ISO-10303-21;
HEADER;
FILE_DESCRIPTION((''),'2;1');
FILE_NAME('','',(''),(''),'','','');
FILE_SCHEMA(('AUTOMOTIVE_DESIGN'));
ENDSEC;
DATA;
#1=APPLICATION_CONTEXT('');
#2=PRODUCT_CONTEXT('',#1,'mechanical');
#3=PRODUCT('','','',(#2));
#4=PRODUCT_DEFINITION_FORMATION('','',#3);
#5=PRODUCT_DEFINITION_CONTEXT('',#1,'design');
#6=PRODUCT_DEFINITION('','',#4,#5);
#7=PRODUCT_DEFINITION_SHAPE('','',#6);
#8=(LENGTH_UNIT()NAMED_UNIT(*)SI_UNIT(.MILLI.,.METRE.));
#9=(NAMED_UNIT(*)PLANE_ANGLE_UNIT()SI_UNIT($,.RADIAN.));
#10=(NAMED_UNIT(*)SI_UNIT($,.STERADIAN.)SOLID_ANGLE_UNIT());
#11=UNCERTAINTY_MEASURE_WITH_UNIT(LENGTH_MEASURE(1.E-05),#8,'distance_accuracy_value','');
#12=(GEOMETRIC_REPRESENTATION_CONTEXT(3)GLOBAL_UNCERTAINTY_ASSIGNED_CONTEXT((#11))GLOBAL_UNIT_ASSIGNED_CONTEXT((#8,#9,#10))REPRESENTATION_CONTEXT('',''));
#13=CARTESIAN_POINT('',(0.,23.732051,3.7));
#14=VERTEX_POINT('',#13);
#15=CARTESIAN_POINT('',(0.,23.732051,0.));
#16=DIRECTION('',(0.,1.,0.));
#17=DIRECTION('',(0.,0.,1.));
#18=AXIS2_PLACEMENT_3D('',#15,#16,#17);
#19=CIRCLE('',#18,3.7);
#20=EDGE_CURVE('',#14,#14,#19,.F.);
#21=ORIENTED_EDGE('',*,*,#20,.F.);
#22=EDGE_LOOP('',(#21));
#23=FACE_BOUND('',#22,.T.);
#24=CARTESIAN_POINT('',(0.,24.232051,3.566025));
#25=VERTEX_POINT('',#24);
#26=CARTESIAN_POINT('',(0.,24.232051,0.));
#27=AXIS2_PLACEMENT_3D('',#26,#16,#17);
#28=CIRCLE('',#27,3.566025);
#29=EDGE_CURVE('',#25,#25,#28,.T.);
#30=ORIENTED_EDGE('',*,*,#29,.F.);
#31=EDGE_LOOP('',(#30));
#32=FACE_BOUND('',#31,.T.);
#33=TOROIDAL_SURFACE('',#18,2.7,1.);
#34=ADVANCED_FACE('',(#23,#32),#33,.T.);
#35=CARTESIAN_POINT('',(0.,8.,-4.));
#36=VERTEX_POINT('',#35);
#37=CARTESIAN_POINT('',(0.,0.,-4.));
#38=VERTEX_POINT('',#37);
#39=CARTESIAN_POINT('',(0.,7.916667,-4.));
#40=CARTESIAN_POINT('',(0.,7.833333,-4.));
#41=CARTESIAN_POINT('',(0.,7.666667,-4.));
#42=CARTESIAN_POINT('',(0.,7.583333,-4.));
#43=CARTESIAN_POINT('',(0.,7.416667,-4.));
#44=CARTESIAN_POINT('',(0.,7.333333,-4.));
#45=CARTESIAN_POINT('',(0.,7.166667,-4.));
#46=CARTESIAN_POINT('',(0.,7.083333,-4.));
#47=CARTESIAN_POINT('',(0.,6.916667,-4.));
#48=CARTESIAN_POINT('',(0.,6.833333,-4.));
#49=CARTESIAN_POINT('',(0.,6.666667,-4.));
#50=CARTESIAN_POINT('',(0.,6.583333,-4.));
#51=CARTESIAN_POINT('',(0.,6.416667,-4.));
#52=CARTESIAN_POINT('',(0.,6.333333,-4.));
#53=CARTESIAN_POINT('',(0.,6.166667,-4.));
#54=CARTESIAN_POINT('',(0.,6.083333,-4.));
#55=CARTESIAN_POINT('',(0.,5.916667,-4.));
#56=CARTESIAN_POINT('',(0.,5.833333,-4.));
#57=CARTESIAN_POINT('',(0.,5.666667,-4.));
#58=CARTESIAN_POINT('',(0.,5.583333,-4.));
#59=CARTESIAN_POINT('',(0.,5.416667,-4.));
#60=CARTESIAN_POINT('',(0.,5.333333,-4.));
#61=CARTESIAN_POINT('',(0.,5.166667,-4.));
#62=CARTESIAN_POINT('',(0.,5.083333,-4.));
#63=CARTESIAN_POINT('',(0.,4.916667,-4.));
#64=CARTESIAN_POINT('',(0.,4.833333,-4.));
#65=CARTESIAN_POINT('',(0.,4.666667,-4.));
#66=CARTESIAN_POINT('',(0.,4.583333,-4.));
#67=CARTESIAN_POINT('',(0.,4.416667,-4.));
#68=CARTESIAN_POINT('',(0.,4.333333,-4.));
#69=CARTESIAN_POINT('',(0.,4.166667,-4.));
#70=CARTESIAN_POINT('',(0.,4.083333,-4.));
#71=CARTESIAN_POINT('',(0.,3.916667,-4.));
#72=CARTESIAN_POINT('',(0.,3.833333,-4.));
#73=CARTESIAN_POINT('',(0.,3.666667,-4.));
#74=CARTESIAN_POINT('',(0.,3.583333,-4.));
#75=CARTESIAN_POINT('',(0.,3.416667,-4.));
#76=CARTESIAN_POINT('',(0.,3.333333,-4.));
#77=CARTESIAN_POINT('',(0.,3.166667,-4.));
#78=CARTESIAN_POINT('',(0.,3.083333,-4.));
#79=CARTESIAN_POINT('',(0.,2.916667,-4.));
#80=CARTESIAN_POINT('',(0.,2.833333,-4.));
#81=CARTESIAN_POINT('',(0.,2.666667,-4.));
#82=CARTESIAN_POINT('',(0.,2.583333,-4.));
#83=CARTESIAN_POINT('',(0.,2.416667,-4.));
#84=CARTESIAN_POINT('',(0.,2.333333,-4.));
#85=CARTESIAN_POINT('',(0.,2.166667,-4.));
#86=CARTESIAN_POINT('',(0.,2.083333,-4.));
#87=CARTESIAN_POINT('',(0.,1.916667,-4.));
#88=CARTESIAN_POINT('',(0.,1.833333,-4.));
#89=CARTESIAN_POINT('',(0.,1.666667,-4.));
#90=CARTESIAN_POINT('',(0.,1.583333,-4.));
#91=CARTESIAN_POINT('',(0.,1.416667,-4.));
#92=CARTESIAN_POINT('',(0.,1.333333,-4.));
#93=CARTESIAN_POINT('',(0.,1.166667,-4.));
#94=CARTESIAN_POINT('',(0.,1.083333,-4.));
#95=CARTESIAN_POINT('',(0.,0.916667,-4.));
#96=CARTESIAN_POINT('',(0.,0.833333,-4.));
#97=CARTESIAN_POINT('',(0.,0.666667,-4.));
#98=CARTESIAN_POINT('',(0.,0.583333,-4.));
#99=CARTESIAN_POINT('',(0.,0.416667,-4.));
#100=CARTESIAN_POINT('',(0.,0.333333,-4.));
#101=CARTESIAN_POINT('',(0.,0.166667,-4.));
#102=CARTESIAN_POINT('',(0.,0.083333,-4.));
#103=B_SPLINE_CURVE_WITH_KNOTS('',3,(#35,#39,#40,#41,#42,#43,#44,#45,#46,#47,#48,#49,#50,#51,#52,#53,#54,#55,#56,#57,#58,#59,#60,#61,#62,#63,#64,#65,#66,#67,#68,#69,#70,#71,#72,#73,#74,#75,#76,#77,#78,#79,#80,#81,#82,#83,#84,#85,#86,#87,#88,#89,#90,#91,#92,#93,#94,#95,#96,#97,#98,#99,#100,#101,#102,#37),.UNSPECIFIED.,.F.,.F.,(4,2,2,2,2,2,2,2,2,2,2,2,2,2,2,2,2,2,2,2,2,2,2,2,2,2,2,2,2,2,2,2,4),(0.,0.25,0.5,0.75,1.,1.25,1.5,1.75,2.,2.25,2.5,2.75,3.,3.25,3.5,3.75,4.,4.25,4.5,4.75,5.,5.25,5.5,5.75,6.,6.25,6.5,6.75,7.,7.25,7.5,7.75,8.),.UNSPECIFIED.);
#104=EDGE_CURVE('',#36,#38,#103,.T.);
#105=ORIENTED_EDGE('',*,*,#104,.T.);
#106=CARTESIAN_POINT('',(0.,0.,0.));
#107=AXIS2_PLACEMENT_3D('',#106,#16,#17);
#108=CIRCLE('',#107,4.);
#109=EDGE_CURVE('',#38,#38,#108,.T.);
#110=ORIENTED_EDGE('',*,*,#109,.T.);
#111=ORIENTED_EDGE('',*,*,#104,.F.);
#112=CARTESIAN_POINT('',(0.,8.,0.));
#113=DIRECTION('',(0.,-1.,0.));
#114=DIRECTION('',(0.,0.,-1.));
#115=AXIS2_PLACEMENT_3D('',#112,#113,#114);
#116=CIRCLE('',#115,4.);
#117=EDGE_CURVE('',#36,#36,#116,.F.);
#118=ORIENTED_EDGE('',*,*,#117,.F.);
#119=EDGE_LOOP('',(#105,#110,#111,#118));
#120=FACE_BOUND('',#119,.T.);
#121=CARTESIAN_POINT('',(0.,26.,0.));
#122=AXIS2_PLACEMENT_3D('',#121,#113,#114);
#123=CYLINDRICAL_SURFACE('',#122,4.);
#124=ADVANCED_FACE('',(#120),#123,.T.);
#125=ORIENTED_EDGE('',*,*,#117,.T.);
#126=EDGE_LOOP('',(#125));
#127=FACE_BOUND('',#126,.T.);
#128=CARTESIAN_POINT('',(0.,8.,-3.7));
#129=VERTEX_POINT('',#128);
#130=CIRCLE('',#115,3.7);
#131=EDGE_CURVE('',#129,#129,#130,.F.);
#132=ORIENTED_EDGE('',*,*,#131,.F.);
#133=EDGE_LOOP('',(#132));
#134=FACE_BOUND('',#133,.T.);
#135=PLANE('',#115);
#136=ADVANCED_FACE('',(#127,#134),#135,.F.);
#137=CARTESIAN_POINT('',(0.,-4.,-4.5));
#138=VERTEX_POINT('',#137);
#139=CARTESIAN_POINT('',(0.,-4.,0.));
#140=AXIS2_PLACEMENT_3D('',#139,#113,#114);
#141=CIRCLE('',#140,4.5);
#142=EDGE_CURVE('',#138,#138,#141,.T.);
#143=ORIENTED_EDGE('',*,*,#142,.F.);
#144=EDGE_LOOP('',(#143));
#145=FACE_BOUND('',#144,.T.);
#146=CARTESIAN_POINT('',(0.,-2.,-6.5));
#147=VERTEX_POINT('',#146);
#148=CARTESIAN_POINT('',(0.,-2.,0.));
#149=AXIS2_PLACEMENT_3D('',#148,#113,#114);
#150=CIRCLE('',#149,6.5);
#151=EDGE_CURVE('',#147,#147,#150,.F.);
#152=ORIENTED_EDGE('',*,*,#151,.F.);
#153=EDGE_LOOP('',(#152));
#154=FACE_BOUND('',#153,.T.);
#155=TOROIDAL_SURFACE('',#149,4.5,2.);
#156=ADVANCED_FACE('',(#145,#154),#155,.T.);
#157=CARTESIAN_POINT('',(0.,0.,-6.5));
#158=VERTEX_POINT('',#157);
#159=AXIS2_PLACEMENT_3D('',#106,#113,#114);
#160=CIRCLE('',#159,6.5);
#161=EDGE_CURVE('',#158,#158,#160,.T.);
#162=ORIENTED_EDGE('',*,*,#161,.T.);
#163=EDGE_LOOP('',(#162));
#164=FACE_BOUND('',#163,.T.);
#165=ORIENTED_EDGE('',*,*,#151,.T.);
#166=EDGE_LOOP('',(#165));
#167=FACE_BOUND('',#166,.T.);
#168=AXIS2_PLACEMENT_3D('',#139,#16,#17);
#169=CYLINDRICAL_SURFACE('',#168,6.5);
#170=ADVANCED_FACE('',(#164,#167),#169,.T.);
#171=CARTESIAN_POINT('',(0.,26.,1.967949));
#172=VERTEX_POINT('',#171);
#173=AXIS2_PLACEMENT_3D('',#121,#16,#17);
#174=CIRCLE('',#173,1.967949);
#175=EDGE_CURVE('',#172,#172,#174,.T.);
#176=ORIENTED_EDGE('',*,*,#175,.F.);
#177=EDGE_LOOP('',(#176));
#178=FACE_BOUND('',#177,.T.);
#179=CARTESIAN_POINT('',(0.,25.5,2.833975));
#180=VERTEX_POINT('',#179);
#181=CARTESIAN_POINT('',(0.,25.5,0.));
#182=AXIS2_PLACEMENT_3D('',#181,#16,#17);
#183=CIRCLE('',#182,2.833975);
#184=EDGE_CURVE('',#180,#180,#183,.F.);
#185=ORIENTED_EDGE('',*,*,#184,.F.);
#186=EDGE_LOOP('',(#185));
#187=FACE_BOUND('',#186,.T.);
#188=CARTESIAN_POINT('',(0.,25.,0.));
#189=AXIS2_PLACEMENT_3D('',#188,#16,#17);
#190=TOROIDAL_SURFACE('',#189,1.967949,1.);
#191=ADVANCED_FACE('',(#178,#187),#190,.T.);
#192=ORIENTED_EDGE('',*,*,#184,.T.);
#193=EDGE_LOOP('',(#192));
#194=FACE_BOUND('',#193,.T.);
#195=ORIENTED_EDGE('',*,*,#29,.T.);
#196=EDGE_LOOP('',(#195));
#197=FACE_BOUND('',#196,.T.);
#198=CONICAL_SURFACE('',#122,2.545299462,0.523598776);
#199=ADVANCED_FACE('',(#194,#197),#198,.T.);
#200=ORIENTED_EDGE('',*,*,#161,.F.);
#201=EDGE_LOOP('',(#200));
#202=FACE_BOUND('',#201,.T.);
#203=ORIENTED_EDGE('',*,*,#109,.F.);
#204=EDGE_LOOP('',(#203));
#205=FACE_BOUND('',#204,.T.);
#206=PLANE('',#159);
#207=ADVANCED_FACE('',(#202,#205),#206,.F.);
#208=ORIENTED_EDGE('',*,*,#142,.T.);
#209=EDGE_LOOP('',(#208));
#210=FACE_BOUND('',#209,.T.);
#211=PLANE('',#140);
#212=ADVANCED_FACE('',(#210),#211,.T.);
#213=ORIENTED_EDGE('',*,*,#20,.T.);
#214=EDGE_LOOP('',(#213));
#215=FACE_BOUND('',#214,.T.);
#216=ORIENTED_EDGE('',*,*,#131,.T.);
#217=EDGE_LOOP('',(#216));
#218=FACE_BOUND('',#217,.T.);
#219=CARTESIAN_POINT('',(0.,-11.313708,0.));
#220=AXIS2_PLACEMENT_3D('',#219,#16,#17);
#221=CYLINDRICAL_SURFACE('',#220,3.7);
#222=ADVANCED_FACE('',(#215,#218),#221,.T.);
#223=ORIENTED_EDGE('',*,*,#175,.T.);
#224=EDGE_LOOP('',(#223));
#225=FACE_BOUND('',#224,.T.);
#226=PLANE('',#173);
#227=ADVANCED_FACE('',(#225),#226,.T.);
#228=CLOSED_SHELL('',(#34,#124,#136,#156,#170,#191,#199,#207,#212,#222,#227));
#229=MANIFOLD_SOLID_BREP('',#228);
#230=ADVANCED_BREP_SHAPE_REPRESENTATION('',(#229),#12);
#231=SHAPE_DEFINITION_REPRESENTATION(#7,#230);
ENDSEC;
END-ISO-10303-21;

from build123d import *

# Parameters (mm, degrees)
SKETCH1_R           = 4
BOSS_EXTRUDE1_DEPTH = 26
SKETCH2_R           = 6.5
BOSS_EXTRUDE2_DEPTH = 4
CUT_EXTRUDE1_START  = -18
SKETCH3_R           = 4
SKETCH3_R_2         = 3.7
CUT_EXTRUDE1_DEPTH  = 18
FILLET2_R           = 2
CHAMFER1_SIZE       = 2
CHAMFER1_SIZE2      = 1.154700538
FILLET3_R           = 1


with BuildPart() as part:
    # Sketch1 → Boss-Extrude1 (new body)
    with BuildSketch(Plane(origin=(0, 0, 0), x_dir=(1, 0, 0), z_dir=(0, 1, 0))):
        with Locations(Location((0, 0, 0), (0, 0, 90))):
            Circle(SKETCH1_R)
    extrude(amount=BOSS_EXTRUDE1_DEPTH)

    # Sketch2 → Boss-Extrude2 (add)
    with BuildSketch(Plane.XZ):
        with Locations(Location((0, 0, 0), (0, 0, 270))):
            Circle(SKETCH2_R)
    extrude(amount=BOSS_EXTRUDE2_DEPTH)

    # Sketch3 → Cut-Extrude1 (cut)
    with BuildSketch(Plane(origin=(0, 26, 0), x_dir=(1, 0, 0), z_dir=(0, 1, 0)).offset(CUT_EXTRUDE1_START)):
        with Locations(Location((0, 0, 0), (0, 0, 90))):
            Circle(SKETCH3_R)
        with Locations(Location((0, 0, 0), (0, 0, 270))):
            Circle(SKETCH3_R_2, mode=Mode.SUBTRACT)
    extrude(amount=CUT_EXTRUDE1_DEPTH, mode=Mode.SUBTRACT)

    # Fillet2
    fillet2_edges = [part.edges().sort_by_distance(p)[0] for p in [
        (0, -4, 6.5),
    ]]
    fillet(fillet2_edges, radius=FILLET2_R)

    # Chamfer1
    chamfer1_edges = [part.edges().sort_by_distance(p)[0] for p in [
        (0, 26, -3.7),
    ]]
    chamfer1_side = [part.faces().sort_by_distance(p)[0] for p in [
        (0, 17, -3.7),
    ]]
    chamfer(chamfer1_edges, length=CHAMFER1_SIZE, length2=CHAMFER1_SIZE2, reference=chamfer1_side[0])

    # Fillet3
    fillet3_edges = [part.edges().sort_by_distance(p)[0] for p in [
        (0, 26, -2.545299462),
        (0, 24, -3.7),
    ]]
    fillet(fillet3_edges, radius=FILLET3_R)


solid = part.part
